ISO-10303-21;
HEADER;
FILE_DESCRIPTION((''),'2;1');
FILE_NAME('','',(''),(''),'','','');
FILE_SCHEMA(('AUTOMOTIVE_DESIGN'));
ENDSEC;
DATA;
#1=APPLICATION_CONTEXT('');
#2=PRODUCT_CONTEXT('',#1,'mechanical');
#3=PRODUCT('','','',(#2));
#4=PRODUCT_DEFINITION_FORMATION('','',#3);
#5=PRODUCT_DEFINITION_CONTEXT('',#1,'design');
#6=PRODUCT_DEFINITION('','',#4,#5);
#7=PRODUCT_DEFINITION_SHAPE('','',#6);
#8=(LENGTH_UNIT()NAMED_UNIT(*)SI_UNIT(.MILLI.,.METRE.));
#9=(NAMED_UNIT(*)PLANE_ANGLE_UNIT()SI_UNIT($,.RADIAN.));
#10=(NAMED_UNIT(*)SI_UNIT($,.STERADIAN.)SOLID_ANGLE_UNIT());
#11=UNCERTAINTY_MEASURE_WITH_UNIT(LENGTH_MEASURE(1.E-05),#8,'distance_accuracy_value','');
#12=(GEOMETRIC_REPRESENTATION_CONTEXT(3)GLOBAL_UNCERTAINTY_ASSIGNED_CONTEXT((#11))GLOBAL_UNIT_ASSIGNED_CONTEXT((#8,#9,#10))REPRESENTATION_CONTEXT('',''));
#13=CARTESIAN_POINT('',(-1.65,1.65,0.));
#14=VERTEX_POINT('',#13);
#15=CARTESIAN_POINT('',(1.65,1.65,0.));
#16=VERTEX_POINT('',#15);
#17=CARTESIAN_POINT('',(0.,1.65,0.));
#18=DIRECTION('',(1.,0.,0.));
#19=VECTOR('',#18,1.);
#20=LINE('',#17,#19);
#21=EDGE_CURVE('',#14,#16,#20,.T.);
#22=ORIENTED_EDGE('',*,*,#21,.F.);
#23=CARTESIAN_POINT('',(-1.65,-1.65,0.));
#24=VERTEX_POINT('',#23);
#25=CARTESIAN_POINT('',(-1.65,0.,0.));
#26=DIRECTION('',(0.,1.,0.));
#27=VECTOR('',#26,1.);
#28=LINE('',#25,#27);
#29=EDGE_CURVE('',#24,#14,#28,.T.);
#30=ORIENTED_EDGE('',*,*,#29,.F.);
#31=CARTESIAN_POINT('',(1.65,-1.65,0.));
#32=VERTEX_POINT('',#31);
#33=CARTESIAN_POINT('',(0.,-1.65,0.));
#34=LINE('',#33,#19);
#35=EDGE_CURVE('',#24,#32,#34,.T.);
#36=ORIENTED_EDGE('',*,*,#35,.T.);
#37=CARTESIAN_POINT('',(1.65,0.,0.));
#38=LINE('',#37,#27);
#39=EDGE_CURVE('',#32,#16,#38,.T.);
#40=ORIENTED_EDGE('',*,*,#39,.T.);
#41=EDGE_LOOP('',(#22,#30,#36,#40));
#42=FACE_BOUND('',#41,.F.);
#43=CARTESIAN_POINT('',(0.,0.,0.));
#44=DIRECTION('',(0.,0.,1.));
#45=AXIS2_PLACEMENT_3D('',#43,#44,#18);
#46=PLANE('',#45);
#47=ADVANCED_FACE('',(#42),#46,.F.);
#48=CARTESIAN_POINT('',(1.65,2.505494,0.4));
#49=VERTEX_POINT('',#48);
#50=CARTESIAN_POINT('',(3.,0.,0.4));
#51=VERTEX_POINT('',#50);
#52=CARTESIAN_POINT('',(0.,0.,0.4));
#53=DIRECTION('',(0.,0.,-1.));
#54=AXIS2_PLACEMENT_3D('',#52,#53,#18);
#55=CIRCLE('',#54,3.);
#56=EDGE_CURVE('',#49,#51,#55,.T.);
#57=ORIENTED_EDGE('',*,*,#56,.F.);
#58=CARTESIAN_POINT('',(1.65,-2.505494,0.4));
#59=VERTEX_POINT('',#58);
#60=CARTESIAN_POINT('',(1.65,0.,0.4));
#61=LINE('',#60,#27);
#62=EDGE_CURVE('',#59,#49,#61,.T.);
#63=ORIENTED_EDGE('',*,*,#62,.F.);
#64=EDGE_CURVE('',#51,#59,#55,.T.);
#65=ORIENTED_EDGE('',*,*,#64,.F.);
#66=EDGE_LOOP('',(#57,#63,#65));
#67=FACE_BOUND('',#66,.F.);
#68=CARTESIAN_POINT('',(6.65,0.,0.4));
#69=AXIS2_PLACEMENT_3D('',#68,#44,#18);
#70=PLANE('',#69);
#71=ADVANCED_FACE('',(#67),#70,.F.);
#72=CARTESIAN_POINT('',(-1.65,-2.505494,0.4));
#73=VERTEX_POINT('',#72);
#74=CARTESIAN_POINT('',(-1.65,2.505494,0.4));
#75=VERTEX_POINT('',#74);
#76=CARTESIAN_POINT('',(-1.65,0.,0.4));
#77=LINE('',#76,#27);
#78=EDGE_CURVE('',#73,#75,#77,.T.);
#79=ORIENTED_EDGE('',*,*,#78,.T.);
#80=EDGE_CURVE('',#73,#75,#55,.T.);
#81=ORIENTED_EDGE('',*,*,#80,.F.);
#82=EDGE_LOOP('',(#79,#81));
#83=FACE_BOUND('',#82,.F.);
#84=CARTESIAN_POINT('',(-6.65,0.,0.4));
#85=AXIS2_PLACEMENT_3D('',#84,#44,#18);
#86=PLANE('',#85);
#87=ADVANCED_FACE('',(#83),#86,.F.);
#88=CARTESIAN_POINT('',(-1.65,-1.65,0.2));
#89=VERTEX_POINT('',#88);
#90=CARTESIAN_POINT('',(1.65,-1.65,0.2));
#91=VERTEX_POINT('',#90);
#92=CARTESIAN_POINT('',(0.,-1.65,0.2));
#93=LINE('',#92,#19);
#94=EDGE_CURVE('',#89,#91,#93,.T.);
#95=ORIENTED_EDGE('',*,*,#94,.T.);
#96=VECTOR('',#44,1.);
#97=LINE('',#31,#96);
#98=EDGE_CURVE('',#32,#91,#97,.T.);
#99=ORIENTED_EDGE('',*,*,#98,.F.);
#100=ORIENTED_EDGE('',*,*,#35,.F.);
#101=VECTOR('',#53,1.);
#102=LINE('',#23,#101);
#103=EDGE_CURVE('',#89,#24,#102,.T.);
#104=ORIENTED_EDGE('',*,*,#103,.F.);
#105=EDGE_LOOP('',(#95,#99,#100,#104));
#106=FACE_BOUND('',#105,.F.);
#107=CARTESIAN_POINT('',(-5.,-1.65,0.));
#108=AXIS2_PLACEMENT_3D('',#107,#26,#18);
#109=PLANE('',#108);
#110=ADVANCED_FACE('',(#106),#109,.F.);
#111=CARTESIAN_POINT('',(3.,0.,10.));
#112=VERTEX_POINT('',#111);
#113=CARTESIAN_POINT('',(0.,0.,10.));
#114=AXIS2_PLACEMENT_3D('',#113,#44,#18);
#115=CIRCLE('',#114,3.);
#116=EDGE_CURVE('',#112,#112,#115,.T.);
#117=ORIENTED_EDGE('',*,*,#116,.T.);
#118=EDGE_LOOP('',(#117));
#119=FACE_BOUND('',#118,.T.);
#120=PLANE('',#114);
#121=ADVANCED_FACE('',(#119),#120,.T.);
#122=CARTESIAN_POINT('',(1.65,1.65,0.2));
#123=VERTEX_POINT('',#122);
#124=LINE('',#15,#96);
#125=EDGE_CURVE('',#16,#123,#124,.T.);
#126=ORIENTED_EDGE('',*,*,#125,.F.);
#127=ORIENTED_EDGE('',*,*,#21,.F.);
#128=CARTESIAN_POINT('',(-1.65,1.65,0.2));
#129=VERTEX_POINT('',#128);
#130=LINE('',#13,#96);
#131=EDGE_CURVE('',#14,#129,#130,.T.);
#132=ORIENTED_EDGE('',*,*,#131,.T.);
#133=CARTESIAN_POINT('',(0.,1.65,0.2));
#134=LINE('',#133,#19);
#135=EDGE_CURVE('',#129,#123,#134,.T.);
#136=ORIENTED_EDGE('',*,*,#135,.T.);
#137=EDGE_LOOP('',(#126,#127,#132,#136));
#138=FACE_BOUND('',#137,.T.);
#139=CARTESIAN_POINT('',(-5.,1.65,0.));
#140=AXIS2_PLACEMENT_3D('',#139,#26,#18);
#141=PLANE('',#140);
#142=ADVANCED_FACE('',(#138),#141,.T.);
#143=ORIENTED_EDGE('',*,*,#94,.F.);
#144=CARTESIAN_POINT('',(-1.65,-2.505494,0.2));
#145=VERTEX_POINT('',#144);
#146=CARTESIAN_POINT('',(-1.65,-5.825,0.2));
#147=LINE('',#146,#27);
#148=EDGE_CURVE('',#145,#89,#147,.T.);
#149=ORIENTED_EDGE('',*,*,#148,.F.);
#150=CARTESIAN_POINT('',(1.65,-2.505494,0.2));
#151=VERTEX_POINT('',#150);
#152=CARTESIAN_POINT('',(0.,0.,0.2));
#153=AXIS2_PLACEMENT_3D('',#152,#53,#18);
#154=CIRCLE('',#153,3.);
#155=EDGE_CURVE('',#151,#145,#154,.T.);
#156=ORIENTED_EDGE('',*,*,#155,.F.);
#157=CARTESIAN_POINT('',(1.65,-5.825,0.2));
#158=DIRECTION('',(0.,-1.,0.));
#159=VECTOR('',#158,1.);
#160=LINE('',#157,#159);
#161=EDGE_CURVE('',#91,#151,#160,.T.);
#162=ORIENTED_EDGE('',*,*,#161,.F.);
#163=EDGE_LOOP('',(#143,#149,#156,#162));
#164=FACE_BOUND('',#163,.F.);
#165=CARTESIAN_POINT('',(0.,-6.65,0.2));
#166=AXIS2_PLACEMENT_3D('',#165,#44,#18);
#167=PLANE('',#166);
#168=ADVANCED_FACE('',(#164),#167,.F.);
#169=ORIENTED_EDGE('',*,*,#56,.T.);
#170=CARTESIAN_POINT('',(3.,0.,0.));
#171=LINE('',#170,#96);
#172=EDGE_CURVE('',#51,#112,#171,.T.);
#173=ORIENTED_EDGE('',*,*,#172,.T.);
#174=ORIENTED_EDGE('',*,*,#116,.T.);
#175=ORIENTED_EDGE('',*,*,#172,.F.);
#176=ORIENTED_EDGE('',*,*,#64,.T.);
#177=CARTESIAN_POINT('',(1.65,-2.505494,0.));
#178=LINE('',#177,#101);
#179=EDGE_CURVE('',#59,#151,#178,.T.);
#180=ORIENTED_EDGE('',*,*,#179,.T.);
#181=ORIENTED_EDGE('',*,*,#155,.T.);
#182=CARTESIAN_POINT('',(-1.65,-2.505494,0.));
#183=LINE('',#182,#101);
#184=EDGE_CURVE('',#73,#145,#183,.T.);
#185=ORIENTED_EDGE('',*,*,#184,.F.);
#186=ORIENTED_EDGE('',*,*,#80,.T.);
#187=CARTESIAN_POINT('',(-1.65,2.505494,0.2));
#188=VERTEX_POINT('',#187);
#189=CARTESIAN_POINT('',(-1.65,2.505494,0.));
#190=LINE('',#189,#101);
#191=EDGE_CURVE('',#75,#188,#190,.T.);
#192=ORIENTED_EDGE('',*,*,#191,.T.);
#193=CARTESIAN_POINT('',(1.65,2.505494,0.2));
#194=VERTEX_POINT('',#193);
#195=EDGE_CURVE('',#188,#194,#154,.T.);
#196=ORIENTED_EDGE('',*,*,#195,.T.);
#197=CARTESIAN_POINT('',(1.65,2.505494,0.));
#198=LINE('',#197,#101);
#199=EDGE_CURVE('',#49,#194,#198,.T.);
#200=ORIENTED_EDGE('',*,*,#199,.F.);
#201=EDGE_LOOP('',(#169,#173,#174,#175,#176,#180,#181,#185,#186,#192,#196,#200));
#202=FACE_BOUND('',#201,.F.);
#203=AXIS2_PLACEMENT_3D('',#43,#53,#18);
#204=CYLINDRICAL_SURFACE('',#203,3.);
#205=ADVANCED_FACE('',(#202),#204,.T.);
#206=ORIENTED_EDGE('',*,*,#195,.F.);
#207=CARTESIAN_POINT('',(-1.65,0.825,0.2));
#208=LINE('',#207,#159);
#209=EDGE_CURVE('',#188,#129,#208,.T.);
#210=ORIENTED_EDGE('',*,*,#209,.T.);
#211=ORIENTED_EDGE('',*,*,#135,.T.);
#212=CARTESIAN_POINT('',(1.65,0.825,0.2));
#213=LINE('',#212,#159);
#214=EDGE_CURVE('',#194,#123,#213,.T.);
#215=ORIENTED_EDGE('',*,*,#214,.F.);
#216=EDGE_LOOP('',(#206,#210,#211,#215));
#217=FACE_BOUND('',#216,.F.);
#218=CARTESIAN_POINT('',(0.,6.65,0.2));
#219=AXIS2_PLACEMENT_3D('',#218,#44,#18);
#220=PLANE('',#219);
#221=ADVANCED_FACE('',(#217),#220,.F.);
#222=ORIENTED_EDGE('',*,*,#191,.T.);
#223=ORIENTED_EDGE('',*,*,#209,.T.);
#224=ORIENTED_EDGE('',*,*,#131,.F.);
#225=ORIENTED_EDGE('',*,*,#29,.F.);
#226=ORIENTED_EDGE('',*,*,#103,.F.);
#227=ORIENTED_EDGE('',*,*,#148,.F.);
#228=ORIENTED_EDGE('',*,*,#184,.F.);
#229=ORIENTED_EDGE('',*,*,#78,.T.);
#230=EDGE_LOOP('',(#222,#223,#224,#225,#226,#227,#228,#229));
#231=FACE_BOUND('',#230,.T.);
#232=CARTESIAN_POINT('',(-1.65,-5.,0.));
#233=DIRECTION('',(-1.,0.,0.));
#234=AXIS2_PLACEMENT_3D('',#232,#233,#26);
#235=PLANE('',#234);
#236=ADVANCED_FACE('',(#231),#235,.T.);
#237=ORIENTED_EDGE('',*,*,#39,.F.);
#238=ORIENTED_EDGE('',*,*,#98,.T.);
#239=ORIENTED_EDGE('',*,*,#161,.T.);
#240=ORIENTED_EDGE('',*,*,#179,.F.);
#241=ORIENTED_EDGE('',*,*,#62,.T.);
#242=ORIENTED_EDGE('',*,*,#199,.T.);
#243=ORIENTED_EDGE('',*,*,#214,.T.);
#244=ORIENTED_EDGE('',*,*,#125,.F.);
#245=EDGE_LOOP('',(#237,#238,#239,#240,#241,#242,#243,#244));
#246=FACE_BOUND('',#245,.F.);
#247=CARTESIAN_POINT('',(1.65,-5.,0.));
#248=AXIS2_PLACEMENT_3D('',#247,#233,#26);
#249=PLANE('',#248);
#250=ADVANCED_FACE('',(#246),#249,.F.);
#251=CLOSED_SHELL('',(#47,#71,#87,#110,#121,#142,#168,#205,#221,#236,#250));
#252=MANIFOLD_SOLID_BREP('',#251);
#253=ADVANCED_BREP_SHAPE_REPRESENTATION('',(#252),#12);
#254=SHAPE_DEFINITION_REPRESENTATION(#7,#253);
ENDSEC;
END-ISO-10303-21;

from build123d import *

# Parameters (mm, degrees)
BOX013_W          = 10
BOX013_H          = 10
BOX013_DEPTH      = 0.4
BOX012_W          = 10
BOX012_H          = 10
BOX012_DEPTH      = 0.2
BOX014_W          = 10
BOX014_H          = 10
BOX014_DEPTH      = 0.4
BOX011_W          = 10
BOX011_H          = 10
BOX011_DEPTH      = 0.2
CYLINDER008_R     = 3
CYLINDER008_DEPTH = 10


with BuildPart() as cube011:
    # Box013 → Box013 (new body)
    with BuildSketch(Plane(origin=(-11.65, -5, 0), x_dir=(1, 0, 0), z_dir=(0, 0, 1))):
        with Locations((5, 5)):
            Rectangle(BOX013_W, BOX013_H)
    extrude(amount=BOX013_DEPTH)


with BuildPart() as cube010:
    # Box012 → Box012 (new body)
    with BuildSketch(Plane(origin=(-5, -11.65, 0), x_dir=(1, 0, 0), z_dir=(0, 0, 1))):
        with Locations((5, 5)):
            Rectangle(BOX012_W, BOX012_H)
    extrude(amount=BOX012_DEPTH)


with BuildPart() as cube012:
    # Box014 → Box014 (new body)
    with BuildSketch(Plane(origin=(1.65, -5, 0), x_dir=(1, 0, 0), z_dir=(0, 0, 1))):
        with Locations((5, 5)):
            Rectangle(BOX014_W, BOX014_H)
    extrude(amount=BOX014_DEPTH)


with BuildPart() as fusion004:
    # Box011 → Box011 (new body)
    with BuildSketch(Plane(origin=(-5, 1.65, 0), x_dir=(1, 0, 0), z_dir=(0, 0, 1))):
        with Locations((5, 5)):
            Rectangle(BOX011_W, BOX011_H)
    extrude(amount=BOX011_DEPTH)

    # Fusion004: union Cube011, Cube010, Cube012
    add(cube011.part)
    add(cube010.part)
    add(cube012.part)


with BuildPart() as m3_slot:
    # Cylinder008 → Cylinder008 (new body)
    with BuildSketch(Plane.XY):
        Circle(CYLINDER008_R)
    extrude(amount=CYLINDER008_DEPTH)

    # Cut004: cut Fusion004
    add(fusion004.part, mode=Mode.SUBTRACT)


solid = m3_slot.part
